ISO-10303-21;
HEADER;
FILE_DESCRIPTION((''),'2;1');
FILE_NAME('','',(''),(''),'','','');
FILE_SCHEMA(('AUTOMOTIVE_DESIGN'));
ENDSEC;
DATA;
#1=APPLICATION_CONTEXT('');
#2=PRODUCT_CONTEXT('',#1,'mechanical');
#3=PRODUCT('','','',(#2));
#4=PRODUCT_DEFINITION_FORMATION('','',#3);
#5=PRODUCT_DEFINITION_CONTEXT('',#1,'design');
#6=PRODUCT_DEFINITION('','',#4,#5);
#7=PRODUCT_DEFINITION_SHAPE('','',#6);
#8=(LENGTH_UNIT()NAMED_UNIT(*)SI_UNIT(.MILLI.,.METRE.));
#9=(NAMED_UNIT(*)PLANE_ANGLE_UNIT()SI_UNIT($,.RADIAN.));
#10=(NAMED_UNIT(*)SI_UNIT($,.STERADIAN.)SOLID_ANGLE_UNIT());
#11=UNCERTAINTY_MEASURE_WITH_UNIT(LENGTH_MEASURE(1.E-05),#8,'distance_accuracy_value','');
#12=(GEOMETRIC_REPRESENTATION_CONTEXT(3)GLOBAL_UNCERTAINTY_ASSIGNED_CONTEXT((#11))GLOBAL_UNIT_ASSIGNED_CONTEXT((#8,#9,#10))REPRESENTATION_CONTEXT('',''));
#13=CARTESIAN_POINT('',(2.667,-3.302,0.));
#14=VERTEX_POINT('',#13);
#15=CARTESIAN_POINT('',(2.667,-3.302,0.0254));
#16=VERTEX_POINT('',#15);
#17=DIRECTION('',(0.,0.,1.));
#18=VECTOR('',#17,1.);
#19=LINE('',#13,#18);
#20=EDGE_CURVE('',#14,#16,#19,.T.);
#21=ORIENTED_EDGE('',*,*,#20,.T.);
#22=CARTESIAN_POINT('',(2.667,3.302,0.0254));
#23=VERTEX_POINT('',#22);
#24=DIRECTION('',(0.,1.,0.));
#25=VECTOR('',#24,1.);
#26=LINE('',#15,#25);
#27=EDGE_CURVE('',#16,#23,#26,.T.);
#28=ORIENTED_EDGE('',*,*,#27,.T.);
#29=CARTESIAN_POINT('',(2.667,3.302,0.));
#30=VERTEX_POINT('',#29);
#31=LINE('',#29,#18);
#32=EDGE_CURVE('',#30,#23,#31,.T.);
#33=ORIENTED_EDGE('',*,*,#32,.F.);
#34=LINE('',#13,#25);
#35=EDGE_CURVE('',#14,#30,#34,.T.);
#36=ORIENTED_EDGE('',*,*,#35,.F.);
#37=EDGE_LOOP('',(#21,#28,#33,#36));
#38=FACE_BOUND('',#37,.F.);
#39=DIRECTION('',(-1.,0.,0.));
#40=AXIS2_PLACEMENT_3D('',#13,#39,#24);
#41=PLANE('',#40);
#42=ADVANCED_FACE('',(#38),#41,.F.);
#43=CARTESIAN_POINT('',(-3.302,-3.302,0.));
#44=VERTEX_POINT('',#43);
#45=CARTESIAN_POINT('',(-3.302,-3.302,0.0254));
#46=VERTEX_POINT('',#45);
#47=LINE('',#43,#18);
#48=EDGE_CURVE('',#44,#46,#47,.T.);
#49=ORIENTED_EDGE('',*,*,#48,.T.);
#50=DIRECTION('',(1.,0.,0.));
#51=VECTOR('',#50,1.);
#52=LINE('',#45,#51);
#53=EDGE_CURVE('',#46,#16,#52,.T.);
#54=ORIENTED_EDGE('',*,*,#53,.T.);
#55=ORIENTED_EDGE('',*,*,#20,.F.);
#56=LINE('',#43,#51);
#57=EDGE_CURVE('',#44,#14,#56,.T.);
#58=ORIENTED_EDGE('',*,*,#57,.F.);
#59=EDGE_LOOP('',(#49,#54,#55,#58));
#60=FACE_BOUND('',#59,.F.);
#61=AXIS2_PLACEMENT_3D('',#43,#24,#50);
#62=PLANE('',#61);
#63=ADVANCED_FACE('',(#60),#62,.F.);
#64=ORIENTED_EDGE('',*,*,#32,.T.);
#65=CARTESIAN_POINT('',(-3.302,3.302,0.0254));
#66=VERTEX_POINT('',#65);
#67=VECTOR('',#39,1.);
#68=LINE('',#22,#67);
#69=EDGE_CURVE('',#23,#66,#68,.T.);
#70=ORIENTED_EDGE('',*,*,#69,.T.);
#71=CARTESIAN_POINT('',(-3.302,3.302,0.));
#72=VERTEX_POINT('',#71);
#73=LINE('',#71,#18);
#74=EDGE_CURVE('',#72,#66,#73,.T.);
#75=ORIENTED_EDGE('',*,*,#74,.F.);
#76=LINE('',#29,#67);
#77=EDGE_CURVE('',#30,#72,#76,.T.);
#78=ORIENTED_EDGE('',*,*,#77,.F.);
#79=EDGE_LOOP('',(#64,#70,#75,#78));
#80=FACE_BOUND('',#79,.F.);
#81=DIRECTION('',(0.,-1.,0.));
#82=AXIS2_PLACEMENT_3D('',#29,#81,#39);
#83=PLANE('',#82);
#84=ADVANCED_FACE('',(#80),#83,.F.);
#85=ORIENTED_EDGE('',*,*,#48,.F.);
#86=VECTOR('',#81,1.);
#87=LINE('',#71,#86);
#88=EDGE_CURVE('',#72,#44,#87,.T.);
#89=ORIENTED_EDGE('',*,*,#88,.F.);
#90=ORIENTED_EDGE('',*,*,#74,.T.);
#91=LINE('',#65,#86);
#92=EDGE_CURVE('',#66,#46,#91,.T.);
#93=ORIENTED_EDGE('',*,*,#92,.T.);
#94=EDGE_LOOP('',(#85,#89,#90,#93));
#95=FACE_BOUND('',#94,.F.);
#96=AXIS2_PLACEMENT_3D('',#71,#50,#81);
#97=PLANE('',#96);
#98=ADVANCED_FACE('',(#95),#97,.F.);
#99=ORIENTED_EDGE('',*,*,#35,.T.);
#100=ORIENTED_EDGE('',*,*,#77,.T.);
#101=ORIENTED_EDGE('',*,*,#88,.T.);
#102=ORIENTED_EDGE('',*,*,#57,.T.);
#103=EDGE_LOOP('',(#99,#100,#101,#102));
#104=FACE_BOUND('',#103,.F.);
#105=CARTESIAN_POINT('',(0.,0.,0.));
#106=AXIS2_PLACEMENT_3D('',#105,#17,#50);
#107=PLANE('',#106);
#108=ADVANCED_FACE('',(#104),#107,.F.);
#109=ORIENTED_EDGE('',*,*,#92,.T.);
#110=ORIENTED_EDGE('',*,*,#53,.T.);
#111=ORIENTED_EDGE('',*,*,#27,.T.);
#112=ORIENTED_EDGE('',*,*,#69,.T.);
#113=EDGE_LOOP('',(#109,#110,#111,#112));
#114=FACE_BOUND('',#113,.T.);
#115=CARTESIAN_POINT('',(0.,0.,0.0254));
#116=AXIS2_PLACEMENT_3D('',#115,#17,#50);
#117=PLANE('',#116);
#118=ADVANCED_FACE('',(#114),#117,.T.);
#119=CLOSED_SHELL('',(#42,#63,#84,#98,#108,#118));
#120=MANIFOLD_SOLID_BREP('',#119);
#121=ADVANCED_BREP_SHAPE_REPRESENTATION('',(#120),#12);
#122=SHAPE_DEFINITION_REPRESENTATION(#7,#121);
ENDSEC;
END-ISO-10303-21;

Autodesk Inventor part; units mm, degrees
ref_plane "YZ Plane" through (0, 0, 0) normal (1, 0, 0) x (0, 1, 0)
ref_plane "XZ Plane" through (0, 0, 0) normal (0, 1, 0) x (-1, 0, 0)
ref_plane "XY Plane" through (0, 0, 0) normal (0, 0, 1) x (1, 0, 0)
sketch "Sketch1" plane through (0, 0, 0) normal (0, 0, 1) x (1, 0, 0)
  line L0 (-3.302, -3.302) -> (2.667, -3.302)
  line L1 (2.667, -3.302) -> (2.667, 3.302)
  line L2 (2.667, 3.302) -> (-3.302, 3.302)
  line L3 (-3.302, 3.302) -> (-3.302, -3.302)
extrude "Extrusion1" add sketch "Sketch1" along normal blind 0.0254
properties part number "LED5MM_LED5MM-1"
